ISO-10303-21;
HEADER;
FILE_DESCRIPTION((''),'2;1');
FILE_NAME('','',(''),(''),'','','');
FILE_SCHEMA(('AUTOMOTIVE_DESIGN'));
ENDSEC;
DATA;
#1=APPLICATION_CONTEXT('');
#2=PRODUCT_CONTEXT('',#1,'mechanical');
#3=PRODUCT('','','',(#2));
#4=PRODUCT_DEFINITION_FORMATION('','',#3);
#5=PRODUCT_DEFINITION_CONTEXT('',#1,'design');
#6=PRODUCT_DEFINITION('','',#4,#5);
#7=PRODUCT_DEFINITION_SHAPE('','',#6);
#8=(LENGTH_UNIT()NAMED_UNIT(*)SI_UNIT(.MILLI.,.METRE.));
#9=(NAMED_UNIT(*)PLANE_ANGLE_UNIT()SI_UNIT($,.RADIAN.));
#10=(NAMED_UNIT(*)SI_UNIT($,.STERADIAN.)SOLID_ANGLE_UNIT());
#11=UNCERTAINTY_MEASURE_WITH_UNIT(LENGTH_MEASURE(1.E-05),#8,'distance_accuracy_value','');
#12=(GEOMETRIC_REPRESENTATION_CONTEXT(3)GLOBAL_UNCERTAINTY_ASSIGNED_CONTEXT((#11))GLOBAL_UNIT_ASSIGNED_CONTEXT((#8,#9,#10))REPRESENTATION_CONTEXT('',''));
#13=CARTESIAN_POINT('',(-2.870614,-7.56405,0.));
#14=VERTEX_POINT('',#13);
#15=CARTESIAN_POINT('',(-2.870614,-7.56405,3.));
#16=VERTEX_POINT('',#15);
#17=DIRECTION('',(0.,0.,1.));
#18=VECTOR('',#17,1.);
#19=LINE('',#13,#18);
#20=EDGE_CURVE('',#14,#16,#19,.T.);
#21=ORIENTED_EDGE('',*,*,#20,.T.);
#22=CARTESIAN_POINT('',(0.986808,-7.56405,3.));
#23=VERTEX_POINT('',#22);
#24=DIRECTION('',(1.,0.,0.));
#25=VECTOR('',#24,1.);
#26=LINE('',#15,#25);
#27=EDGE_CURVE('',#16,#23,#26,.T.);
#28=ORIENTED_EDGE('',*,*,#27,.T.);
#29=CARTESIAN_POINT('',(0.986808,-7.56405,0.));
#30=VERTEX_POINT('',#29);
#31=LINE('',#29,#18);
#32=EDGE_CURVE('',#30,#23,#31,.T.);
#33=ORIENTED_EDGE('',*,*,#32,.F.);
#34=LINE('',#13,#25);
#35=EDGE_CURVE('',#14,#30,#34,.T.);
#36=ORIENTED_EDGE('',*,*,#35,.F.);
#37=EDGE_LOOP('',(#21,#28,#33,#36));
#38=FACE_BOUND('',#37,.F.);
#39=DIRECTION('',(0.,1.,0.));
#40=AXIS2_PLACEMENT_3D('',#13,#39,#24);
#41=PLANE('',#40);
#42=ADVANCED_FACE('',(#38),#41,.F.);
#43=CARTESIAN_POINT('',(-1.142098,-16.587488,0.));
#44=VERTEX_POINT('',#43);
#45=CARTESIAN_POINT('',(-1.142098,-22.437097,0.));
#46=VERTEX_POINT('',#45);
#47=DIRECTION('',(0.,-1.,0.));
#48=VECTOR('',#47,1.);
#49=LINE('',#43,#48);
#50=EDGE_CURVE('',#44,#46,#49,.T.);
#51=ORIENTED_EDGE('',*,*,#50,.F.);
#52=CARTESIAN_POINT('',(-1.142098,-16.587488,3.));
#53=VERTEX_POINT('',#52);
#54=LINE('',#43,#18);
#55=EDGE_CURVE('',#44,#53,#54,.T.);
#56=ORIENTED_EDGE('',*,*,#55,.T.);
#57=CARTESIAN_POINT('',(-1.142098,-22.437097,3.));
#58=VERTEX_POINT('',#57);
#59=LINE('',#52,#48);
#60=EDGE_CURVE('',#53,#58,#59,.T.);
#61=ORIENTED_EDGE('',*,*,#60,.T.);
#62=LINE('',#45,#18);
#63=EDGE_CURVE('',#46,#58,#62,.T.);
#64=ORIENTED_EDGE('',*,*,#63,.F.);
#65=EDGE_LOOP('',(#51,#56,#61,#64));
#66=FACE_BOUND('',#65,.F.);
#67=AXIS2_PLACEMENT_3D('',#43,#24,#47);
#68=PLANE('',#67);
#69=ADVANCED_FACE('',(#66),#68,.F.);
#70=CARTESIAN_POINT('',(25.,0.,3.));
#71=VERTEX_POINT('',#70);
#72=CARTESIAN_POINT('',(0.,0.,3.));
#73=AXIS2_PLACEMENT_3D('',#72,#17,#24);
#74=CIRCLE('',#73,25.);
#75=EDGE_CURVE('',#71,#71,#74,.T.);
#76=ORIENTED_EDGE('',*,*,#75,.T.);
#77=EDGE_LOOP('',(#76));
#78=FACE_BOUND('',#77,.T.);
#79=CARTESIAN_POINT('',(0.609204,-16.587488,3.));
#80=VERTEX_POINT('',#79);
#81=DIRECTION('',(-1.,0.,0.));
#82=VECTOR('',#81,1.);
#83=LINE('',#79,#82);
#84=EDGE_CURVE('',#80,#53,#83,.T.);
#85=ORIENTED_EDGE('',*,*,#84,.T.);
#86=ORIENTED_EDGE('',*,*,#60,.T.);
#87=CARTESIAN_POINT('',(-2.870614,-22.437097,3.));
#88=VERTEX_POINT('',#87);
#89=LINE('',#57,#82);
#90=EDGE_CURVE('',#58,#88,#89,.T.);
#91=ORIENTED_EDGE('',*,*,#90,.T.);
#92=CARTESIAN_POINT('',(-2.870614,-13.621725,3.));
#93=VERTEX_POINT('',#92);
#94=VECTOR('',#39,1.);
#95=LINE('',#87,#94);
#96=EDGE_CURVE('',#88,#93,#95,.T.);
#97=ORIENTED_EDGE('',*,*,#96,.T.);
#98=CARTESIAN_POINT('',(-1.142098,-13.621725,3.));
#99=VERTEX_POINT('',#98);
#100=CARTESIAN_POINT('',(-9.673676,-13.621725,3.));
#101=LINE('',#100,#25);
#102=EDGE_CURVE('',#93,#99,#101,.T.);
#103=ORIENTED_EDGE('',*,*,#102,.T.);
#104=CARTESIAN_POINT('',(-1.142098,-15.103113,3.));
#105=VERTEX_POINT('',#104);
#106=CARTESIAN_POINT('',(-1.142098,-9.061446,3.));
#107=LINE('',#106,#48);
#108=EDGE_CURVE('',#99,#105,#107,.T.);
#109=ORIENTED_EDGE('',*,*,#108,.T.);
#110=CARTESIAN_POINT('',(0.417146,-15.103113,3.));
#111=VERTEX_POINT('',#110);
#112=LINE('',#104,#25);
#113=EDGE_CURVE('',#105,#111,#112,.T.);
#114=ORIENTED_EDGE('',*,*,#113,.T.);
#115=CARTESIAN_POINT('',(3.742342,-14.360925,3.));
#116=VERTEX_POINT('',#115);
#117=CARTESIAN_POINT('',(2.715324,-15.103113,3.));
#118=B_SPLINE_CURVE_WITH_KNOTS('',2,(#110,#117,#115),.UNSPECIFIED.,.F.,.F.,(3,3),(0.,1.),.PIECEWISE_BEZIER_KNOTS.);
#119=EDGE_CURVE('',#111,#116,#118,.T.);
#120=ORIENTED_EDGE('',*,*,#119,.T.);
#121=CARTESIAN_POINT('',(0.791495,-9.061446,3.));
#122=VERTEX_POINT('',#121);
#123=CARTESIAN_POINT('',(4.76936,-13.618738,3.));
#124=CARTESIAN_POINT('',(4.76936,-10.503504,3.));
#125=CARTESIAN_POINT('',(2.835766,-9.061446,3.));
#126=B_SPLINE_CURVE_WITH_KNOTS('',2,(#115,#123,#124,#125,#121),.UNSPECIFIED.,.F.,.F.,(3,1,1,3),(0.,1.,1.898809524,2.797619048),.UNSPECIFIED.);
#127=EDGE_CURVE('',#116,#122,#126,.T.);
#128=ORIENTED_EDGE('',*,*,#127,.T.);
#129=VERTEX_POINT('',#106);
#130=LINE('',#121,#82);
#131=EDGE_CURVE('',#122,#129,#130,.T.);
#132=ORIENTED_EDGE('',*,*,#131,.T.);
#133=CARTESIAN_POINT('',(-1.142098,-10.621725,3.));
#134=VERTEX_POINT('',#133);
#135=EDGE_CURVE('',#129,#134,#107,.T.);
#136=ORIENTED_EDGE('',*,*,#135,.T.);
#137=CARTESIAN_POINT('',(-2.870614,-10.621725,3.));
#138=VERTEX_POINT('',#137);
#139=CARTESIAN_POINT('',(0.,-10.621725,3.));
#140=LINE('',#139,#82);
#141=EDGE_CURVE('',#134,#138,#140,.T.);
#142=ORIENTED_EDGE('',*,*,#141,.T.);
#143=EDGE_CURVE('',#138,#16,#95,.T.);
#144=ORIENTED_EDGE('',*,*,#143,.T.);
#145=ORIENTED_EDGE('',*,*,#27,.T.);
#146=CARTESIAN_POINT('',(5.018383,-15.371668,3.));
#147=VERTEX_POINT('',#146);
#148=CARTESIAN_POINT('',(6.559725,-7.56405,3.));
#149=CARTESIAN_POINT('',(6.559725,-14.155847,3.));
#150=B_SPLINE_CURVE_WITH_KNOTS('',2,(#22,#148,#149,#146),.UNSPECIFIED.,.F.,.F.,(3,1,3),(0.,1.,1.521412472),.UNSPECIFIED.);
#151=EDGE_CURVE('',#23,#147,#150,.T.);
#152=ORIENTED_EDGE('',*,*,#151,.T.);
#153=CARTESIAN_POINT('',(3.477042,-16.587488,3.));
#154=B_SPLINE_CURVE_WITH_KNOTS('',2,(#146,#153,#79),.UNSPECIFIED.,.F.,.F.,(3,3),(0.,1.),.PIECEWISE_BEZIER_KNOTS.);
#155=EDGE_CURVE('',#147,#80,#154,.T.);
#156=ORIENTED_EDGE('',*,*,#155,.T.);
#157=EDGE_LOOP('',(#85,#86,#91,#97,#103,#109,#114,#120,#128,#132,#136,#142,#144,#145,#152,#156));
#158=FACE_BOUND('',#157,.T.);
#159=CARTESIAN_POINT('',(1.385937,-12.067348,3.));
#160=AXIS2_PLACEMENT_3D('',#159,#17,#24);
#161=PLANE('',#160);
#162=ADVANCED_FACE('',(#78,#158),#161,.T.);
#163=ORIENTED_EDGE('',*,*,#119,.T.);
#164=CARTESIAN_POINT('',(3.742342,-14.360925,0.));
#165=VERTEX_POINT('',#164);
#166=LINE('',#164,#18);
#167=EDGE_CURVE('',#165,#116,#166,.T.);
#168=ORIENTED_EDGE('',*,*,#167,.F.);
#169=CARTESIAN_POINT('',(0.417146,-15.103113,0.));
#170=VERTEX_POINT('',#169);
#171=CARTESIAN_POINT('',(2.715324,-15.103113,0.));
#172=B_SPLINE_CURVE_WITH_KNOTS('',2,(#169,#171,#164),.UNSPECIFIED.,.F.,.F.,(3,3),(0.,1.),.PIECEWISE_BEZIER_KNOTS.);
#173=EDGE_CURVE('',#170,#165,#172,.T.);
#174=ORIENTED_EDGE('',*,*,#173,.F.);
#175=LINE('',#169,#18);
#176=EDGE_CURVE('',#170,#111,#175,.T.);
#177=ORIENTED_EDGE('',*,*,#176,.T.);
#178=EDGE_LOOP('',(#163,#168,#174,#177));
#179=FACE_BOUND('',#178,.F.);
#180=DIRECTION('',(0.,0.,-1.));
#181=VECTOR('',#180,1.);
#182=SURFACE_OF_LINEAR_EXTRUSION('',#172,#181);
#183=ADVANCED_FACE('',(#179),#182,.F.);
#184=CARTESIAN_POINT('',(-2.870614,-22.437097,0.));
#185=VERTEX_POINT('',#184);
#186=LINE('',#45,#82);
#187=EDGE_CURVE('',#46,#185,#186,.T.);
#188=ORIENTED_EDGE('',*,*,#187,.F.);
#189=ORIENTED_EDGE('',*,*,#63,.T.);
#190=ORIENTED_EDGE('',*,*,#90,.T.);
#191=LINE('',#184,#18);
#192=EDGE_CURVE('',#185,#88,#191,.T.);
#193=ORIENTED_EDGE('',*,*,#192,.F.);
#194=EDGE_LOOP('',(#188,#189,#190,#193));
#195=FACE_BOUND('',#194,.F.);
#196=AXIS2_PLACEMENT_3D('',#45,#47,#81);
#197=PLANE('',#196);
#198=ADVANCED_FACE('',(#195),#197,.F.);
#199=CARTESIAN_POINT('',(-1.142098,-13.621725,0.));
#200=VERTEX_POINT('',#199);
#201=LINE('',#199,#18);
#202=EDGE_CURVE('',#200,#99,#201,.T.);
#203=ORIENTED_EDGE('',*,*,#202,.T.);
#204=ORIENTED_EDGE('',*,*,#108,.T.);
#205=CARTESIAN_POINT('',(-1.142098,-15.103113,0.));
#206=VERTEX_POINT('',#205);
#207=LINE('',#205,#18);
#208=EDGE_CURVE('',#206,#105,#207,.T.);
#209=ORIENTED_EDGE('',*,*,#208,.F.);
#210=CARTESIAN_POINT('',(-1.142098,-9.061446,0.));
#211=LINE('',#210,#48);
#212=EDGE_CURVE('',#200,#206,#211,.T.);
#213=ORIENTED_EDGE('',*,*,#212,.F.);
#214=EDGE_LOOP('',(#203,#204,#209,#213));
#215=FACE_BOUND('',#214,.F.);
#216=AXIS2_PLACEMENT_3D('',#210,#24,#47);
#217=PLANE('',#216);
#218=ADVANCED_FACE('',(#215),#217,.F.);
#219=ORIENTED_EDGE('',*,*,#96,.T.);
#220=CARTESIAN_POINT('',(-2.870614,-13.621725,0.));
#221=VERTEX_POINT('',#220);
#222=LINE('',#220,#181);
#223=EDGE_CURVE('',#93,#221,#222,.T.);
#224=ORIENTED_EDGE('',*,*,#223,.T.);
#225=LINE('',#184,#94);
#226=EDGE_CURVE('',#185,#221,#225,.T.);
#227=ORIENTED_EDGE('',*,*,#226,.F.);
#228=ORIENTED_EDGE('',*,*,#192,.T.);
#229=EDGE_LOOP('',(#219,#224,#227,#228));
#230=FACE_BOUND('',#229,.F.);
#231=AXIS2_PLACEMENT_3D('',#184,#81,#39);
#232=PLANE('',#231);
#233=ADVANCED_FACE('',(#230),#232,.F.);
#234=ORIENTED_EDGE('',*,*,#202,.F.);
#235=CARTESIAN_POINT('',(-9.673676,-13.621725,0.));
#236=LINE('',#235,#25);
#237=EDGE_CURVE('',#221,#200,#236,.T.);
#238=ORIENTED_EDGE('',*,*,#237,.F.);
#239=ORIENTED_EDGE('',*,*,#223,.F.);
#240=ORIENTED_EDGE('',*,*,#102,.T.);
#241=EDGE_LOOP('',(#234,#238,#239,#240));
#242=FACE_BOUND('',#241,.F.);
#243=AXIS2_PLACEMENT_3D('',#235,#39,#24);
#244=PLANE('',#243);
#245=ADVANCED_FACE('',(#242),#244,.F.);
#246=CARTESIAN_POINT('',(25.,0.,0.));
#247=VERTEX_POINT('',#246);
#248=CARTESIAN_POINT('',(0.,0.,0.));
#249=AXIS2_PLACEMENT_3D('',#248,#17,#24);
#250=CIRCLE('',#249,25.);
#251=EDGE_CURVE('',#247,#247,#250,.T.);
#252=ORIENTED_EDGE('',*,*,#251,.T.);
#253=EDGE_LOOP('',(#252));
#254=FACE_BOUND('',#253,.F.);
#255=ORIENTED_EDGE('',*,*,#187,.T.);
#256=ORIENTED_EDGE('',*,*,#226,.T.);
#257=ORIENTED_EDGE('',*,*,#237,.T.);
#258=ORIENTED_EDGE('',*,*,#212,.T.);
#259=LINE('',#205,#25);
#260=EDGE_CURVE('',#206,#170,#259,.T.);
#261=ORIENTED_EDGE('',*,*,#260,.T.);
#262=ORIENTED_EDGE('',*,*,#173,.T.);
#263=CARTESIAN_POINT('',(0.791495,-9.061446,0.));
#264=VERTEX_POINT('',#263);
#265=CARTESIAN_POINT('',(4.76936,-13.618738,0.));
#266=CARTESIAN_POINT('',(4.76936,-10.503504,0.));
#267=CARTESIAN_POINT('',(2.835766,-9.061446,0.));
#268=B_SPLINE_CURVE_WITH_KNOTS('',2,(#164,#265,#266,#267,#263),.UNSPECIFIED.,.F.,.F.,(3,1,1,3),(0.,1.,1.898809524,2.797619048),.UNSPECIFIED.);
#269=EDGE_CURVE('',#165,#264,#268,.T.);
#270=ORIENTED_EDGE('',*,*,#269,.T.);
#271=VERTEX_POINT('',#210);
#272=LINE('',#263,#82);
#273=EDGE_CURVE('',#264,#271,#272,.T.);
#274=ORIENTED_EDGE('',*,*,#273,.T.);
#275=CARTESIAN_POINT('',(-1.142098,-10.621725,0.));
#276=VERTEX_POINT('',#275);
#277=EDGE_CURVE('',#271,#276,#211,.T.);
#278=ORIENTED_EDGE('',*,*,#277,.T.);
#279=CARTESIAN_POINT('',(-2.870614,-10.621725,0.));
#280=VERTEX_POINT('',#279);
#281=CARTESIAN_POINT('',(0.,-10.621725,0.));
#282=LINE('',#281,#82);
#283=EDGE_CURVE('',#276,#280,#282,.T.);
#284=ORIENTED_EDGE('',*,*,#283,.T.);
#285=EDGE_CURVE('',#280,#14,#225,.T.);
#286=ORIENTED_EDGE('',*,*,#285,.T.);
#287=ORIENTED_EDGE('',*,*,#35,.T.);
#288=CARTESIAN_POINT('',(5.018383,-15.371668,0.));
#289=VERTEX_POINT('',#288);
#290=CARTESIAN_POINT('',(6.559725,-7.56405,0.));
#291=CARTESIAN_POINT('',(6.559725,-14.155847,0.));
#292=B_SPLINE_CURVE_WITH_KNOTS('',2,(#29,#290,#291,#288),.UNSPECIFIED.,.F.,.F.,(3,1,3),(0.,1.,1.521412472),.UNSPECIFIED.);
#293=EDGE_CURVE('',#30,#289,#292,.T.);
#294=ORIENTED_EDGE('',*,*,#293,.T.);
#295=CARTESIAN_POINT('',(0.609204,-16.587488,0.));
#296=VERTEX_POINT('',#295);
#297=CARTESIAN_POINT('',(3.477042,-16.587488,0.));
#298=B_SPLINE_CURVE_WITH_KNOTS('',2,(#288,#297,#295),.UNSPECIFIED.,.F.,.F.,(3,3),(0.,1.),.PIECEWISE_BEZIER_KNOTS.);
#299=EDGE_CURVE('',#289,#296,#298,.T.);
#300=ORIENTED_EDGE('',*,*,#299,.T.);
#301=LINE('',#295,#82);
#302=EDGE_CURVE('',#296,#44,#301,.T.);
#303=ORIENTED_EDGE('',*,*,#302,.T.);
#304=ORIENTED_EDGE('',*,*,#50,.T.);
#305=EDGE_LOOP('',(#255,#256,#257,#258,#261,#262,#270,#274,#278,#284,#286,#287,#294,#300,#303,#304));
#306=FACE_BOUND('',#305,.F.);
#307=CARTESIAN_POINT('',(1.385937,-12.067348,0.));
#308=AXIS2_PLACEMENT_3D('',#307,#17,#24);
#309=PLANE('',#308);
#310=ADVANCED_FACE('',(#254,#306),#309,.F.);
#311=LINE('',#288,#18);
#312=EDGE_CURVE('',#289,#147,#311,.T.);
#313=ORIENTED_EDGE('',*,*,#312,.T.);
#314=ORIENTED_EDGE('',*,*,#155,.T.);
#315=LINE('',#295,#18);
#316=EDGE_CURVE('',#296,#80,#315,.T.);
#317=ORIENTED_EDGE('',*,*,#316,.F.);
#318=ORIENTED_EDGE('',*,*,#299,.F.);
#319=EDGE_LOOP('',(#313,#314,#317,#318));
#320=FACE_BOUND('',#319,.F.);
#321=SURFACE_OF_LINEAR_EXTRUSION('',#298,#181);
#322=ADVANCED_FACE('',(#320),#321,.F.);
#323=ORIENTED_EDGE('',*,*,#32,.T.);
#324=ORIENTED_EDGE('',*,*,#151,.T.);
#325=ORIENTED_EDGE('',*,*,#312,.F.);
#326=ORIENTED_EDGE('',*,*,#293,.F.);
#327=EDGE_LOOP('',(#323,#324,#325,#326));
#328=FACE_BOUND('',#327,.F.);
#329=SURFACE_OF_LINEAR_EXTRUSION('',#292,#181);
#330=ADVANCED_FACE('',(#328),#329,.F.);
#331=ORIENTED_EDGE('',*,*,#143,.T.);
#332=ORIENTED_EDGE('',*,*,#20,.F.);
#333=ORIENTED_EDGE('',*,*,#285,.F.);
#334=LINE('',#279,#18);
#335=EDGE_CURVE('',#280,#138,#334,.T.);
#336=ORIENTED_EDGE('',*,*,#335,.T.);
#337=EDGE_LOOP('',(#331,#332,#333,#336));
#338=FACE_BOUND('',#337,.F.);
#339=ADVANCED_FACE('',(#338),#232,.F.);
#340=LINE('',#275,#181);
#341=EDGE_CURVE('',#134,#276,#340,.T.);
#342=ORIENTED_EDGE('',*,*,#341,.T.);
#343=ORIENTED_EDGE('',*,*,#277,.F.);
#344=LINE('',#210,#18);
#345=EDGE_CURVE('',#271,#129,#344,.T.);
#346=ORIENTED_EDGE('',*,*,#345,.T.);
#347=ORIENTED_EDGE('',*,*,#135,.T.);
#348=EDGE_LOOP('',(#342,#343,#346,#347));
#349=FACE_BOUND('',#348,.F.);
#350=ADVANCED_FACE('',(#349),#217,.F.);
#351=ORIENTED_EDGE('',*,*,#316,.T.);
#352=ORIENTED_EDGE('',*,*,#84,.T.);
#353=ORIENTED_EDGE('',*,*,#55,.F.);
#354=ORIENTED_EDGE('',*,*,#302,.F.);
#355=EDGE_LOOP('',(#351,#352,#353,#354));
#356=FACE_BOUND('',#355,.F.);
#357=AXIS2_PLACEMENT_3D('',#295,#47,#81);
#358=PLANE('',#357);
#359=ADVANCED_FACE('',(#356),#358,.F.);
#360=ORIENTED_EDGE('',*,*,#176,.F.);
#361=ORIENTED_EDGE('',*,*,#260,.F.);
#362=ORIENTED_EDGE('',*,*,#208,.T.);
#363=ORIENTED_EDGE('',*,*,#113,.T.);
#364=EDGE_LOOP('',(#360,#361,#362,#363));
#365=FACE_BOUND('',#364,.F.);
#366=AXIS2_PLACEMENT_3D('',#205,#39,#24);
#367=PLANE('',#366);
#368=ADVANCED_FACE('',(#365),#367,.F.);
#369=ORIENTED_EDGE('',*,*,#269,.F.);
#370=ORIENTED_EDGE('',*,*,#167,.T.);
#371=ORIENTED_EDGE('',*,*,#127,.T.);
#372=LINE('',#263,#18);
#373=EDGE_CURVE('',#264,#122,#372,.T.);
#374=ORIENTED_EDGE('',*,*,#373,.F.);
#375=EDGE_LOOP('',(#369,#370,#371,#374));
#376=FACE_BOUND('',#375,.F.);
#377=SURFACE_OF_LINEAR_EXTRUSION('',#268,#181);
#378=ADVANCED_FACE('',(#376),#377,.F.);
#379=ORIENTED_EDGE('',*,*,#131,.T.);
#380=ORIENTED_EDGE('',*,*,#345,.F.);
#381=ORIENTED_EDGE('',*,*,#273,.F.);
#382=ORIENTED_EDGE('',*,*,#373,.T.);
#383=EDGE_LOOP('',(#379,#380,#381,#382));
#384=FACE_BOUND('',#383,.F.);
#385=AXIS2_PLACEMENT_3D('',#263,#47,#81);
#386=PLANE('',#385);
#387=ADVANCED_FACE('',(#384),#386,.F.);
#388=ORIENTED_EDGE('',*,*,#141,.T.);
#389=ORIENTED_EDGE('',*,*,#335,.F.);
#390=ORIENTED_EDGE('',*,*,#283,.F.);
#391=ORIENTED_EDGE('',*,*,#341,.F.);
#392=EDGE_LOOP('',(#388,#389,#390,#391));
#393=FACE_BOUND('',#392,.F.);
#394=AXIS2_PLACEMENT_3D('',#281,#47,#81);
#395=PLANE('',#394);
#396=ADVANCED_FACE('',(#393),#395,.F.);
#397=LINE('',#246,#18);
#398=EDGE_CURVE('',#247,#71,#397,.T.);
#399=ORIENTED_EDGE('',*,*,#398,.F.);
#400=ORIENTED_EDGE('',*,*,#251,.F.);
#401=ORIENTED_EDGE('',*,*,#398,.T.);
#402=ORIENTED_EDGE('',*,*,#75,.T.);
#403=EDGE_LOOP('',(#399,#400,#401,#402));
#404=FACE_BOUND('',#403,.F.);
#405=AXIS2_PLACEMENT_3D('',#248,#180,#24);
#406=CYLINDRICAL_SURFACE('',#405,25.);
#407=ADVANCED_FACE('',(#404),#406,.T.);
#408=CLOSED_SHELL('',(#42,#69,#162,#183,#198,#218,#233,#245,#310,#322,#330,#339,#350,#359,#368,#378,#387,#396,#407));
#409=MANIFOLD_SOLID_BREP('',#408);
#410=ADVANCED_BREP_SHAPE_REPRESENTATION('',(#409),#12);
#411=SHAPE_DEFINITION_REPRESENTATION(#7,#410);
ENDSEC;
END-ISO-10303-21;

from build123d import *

# Parameters (mm, degrees)
F0_R     = 25
F1_DEPTH = 3
F3_DEPTH = 3


with BuildPart() as f1:
    # F0 (on Top) → F1 (new body)
    with BuildSketch(Plane.XY):
        Circle(F0_R)
        with BuildLine():
            add(Edge.make_bspline(
                [(0.9868079036, -7.5640504993), (6.5597245703, -7.5640504993), (6.5597245703, -11.896732791)],
                knots=[0, 0, 0, 1, 1, 1], degree=2))
            add(Edge.make_bspline(
                [(6.5597245703, -11.896732791), (6.5597245703, -14.1558473743), (5.0183834244, -15.3716676868)],
                knots=[0, 0, 0, 1, 1, 1], degree=2))
            add(Edge.make_bspline(
                [(5.0183834244, -15.3716676868), (3.4770422786, -16.5874879993), (0.6092037369, -16.5874879993)],
                knots=[0, 0, 0, 1, 1, 1], degree=2))
            Line((0.6092037369, -16.5874879993), (-1.1420983464, -16.5874879993))
            Line((-1.1420983464, -16.5874879993), (-1.1420983464, -22.4370973743))
            Line((-1.1420983464, -22.4370973743), (-2.8706139714, -22.4370973743))
            Line((-2.8706139714, -22.4370973743), (-2.8706139714, -7.5640504993))
            Line((-2.8706139714, -7.5640504993), (0.9868079036, -7.5640504993))
        make_face(mode=Mode.SUBTRACT)
    extrude(amount=F1_DEPTH)



with BuildPart() as f1b:
    # F0 (on Top) → F1, piece 2 (new body)
    with BuildSketch(Plane.XY):
        with BuildLine():
            Line((-1.1420983464, -9.0614463327), (-1.1420983464, -15.1031129993))
            Line((-1.1420983464, -15.1031129993), (0.4171464453, -15.1031129993))
            add(Edge.make_bspline(
                [(0.4171464453, -15.1031129993), (2.7153235286, -15.1031129993), (3.7423417578, -14.3609254993)],
                knots=[0, 0, 0, 1, 1, 1], degree=2))
            add(Edge.make_bspline(
                [(3.7423417578, -14.3609254993), (4.7693599869, -13.6187379993), (4.7693599869, -11.9781129993)],
                knots=[0, 0, 0, 1, 1, 1], degree=2))
            add(Edge.make_bspline(
                [(4.7693599869, -11.9781129993), (4.7693599869, -10.5035036243), (3.8025631119, -9.7824749785)],
                knots=[0, 0, 0, 1, 1, 1], degree=2))
            add(Edge.make_bspline(
                [(3.8025631119, -9.7824749785), (2.8357662369, -9.0614463327), (0.7914954036, -9.0614463327)],
                knots=[0, 0, 0, 1, 1, 1], degree=2))
            Line((0.7914954036, -9.0614463327), (-1.1420983464, -9.0614463327))
        make_face()
    extrude(amount=F1_DEPTH)


with BuildPart() as f1_1:
    add(f1.part)

    add(f1b.part)  # F3 merges F1b
    # F2 (on Top) → F3 (join)
    with BuildSketch(Plane.XY):
        Polygon((0, -10.621725142), (-9.7534448872, -10.621725142), (-9.6736760242, -13.621725142), (0, -13.621725142), align=None)
    extrude(amount=F3_DEPTH)


solid = f1_1.part
